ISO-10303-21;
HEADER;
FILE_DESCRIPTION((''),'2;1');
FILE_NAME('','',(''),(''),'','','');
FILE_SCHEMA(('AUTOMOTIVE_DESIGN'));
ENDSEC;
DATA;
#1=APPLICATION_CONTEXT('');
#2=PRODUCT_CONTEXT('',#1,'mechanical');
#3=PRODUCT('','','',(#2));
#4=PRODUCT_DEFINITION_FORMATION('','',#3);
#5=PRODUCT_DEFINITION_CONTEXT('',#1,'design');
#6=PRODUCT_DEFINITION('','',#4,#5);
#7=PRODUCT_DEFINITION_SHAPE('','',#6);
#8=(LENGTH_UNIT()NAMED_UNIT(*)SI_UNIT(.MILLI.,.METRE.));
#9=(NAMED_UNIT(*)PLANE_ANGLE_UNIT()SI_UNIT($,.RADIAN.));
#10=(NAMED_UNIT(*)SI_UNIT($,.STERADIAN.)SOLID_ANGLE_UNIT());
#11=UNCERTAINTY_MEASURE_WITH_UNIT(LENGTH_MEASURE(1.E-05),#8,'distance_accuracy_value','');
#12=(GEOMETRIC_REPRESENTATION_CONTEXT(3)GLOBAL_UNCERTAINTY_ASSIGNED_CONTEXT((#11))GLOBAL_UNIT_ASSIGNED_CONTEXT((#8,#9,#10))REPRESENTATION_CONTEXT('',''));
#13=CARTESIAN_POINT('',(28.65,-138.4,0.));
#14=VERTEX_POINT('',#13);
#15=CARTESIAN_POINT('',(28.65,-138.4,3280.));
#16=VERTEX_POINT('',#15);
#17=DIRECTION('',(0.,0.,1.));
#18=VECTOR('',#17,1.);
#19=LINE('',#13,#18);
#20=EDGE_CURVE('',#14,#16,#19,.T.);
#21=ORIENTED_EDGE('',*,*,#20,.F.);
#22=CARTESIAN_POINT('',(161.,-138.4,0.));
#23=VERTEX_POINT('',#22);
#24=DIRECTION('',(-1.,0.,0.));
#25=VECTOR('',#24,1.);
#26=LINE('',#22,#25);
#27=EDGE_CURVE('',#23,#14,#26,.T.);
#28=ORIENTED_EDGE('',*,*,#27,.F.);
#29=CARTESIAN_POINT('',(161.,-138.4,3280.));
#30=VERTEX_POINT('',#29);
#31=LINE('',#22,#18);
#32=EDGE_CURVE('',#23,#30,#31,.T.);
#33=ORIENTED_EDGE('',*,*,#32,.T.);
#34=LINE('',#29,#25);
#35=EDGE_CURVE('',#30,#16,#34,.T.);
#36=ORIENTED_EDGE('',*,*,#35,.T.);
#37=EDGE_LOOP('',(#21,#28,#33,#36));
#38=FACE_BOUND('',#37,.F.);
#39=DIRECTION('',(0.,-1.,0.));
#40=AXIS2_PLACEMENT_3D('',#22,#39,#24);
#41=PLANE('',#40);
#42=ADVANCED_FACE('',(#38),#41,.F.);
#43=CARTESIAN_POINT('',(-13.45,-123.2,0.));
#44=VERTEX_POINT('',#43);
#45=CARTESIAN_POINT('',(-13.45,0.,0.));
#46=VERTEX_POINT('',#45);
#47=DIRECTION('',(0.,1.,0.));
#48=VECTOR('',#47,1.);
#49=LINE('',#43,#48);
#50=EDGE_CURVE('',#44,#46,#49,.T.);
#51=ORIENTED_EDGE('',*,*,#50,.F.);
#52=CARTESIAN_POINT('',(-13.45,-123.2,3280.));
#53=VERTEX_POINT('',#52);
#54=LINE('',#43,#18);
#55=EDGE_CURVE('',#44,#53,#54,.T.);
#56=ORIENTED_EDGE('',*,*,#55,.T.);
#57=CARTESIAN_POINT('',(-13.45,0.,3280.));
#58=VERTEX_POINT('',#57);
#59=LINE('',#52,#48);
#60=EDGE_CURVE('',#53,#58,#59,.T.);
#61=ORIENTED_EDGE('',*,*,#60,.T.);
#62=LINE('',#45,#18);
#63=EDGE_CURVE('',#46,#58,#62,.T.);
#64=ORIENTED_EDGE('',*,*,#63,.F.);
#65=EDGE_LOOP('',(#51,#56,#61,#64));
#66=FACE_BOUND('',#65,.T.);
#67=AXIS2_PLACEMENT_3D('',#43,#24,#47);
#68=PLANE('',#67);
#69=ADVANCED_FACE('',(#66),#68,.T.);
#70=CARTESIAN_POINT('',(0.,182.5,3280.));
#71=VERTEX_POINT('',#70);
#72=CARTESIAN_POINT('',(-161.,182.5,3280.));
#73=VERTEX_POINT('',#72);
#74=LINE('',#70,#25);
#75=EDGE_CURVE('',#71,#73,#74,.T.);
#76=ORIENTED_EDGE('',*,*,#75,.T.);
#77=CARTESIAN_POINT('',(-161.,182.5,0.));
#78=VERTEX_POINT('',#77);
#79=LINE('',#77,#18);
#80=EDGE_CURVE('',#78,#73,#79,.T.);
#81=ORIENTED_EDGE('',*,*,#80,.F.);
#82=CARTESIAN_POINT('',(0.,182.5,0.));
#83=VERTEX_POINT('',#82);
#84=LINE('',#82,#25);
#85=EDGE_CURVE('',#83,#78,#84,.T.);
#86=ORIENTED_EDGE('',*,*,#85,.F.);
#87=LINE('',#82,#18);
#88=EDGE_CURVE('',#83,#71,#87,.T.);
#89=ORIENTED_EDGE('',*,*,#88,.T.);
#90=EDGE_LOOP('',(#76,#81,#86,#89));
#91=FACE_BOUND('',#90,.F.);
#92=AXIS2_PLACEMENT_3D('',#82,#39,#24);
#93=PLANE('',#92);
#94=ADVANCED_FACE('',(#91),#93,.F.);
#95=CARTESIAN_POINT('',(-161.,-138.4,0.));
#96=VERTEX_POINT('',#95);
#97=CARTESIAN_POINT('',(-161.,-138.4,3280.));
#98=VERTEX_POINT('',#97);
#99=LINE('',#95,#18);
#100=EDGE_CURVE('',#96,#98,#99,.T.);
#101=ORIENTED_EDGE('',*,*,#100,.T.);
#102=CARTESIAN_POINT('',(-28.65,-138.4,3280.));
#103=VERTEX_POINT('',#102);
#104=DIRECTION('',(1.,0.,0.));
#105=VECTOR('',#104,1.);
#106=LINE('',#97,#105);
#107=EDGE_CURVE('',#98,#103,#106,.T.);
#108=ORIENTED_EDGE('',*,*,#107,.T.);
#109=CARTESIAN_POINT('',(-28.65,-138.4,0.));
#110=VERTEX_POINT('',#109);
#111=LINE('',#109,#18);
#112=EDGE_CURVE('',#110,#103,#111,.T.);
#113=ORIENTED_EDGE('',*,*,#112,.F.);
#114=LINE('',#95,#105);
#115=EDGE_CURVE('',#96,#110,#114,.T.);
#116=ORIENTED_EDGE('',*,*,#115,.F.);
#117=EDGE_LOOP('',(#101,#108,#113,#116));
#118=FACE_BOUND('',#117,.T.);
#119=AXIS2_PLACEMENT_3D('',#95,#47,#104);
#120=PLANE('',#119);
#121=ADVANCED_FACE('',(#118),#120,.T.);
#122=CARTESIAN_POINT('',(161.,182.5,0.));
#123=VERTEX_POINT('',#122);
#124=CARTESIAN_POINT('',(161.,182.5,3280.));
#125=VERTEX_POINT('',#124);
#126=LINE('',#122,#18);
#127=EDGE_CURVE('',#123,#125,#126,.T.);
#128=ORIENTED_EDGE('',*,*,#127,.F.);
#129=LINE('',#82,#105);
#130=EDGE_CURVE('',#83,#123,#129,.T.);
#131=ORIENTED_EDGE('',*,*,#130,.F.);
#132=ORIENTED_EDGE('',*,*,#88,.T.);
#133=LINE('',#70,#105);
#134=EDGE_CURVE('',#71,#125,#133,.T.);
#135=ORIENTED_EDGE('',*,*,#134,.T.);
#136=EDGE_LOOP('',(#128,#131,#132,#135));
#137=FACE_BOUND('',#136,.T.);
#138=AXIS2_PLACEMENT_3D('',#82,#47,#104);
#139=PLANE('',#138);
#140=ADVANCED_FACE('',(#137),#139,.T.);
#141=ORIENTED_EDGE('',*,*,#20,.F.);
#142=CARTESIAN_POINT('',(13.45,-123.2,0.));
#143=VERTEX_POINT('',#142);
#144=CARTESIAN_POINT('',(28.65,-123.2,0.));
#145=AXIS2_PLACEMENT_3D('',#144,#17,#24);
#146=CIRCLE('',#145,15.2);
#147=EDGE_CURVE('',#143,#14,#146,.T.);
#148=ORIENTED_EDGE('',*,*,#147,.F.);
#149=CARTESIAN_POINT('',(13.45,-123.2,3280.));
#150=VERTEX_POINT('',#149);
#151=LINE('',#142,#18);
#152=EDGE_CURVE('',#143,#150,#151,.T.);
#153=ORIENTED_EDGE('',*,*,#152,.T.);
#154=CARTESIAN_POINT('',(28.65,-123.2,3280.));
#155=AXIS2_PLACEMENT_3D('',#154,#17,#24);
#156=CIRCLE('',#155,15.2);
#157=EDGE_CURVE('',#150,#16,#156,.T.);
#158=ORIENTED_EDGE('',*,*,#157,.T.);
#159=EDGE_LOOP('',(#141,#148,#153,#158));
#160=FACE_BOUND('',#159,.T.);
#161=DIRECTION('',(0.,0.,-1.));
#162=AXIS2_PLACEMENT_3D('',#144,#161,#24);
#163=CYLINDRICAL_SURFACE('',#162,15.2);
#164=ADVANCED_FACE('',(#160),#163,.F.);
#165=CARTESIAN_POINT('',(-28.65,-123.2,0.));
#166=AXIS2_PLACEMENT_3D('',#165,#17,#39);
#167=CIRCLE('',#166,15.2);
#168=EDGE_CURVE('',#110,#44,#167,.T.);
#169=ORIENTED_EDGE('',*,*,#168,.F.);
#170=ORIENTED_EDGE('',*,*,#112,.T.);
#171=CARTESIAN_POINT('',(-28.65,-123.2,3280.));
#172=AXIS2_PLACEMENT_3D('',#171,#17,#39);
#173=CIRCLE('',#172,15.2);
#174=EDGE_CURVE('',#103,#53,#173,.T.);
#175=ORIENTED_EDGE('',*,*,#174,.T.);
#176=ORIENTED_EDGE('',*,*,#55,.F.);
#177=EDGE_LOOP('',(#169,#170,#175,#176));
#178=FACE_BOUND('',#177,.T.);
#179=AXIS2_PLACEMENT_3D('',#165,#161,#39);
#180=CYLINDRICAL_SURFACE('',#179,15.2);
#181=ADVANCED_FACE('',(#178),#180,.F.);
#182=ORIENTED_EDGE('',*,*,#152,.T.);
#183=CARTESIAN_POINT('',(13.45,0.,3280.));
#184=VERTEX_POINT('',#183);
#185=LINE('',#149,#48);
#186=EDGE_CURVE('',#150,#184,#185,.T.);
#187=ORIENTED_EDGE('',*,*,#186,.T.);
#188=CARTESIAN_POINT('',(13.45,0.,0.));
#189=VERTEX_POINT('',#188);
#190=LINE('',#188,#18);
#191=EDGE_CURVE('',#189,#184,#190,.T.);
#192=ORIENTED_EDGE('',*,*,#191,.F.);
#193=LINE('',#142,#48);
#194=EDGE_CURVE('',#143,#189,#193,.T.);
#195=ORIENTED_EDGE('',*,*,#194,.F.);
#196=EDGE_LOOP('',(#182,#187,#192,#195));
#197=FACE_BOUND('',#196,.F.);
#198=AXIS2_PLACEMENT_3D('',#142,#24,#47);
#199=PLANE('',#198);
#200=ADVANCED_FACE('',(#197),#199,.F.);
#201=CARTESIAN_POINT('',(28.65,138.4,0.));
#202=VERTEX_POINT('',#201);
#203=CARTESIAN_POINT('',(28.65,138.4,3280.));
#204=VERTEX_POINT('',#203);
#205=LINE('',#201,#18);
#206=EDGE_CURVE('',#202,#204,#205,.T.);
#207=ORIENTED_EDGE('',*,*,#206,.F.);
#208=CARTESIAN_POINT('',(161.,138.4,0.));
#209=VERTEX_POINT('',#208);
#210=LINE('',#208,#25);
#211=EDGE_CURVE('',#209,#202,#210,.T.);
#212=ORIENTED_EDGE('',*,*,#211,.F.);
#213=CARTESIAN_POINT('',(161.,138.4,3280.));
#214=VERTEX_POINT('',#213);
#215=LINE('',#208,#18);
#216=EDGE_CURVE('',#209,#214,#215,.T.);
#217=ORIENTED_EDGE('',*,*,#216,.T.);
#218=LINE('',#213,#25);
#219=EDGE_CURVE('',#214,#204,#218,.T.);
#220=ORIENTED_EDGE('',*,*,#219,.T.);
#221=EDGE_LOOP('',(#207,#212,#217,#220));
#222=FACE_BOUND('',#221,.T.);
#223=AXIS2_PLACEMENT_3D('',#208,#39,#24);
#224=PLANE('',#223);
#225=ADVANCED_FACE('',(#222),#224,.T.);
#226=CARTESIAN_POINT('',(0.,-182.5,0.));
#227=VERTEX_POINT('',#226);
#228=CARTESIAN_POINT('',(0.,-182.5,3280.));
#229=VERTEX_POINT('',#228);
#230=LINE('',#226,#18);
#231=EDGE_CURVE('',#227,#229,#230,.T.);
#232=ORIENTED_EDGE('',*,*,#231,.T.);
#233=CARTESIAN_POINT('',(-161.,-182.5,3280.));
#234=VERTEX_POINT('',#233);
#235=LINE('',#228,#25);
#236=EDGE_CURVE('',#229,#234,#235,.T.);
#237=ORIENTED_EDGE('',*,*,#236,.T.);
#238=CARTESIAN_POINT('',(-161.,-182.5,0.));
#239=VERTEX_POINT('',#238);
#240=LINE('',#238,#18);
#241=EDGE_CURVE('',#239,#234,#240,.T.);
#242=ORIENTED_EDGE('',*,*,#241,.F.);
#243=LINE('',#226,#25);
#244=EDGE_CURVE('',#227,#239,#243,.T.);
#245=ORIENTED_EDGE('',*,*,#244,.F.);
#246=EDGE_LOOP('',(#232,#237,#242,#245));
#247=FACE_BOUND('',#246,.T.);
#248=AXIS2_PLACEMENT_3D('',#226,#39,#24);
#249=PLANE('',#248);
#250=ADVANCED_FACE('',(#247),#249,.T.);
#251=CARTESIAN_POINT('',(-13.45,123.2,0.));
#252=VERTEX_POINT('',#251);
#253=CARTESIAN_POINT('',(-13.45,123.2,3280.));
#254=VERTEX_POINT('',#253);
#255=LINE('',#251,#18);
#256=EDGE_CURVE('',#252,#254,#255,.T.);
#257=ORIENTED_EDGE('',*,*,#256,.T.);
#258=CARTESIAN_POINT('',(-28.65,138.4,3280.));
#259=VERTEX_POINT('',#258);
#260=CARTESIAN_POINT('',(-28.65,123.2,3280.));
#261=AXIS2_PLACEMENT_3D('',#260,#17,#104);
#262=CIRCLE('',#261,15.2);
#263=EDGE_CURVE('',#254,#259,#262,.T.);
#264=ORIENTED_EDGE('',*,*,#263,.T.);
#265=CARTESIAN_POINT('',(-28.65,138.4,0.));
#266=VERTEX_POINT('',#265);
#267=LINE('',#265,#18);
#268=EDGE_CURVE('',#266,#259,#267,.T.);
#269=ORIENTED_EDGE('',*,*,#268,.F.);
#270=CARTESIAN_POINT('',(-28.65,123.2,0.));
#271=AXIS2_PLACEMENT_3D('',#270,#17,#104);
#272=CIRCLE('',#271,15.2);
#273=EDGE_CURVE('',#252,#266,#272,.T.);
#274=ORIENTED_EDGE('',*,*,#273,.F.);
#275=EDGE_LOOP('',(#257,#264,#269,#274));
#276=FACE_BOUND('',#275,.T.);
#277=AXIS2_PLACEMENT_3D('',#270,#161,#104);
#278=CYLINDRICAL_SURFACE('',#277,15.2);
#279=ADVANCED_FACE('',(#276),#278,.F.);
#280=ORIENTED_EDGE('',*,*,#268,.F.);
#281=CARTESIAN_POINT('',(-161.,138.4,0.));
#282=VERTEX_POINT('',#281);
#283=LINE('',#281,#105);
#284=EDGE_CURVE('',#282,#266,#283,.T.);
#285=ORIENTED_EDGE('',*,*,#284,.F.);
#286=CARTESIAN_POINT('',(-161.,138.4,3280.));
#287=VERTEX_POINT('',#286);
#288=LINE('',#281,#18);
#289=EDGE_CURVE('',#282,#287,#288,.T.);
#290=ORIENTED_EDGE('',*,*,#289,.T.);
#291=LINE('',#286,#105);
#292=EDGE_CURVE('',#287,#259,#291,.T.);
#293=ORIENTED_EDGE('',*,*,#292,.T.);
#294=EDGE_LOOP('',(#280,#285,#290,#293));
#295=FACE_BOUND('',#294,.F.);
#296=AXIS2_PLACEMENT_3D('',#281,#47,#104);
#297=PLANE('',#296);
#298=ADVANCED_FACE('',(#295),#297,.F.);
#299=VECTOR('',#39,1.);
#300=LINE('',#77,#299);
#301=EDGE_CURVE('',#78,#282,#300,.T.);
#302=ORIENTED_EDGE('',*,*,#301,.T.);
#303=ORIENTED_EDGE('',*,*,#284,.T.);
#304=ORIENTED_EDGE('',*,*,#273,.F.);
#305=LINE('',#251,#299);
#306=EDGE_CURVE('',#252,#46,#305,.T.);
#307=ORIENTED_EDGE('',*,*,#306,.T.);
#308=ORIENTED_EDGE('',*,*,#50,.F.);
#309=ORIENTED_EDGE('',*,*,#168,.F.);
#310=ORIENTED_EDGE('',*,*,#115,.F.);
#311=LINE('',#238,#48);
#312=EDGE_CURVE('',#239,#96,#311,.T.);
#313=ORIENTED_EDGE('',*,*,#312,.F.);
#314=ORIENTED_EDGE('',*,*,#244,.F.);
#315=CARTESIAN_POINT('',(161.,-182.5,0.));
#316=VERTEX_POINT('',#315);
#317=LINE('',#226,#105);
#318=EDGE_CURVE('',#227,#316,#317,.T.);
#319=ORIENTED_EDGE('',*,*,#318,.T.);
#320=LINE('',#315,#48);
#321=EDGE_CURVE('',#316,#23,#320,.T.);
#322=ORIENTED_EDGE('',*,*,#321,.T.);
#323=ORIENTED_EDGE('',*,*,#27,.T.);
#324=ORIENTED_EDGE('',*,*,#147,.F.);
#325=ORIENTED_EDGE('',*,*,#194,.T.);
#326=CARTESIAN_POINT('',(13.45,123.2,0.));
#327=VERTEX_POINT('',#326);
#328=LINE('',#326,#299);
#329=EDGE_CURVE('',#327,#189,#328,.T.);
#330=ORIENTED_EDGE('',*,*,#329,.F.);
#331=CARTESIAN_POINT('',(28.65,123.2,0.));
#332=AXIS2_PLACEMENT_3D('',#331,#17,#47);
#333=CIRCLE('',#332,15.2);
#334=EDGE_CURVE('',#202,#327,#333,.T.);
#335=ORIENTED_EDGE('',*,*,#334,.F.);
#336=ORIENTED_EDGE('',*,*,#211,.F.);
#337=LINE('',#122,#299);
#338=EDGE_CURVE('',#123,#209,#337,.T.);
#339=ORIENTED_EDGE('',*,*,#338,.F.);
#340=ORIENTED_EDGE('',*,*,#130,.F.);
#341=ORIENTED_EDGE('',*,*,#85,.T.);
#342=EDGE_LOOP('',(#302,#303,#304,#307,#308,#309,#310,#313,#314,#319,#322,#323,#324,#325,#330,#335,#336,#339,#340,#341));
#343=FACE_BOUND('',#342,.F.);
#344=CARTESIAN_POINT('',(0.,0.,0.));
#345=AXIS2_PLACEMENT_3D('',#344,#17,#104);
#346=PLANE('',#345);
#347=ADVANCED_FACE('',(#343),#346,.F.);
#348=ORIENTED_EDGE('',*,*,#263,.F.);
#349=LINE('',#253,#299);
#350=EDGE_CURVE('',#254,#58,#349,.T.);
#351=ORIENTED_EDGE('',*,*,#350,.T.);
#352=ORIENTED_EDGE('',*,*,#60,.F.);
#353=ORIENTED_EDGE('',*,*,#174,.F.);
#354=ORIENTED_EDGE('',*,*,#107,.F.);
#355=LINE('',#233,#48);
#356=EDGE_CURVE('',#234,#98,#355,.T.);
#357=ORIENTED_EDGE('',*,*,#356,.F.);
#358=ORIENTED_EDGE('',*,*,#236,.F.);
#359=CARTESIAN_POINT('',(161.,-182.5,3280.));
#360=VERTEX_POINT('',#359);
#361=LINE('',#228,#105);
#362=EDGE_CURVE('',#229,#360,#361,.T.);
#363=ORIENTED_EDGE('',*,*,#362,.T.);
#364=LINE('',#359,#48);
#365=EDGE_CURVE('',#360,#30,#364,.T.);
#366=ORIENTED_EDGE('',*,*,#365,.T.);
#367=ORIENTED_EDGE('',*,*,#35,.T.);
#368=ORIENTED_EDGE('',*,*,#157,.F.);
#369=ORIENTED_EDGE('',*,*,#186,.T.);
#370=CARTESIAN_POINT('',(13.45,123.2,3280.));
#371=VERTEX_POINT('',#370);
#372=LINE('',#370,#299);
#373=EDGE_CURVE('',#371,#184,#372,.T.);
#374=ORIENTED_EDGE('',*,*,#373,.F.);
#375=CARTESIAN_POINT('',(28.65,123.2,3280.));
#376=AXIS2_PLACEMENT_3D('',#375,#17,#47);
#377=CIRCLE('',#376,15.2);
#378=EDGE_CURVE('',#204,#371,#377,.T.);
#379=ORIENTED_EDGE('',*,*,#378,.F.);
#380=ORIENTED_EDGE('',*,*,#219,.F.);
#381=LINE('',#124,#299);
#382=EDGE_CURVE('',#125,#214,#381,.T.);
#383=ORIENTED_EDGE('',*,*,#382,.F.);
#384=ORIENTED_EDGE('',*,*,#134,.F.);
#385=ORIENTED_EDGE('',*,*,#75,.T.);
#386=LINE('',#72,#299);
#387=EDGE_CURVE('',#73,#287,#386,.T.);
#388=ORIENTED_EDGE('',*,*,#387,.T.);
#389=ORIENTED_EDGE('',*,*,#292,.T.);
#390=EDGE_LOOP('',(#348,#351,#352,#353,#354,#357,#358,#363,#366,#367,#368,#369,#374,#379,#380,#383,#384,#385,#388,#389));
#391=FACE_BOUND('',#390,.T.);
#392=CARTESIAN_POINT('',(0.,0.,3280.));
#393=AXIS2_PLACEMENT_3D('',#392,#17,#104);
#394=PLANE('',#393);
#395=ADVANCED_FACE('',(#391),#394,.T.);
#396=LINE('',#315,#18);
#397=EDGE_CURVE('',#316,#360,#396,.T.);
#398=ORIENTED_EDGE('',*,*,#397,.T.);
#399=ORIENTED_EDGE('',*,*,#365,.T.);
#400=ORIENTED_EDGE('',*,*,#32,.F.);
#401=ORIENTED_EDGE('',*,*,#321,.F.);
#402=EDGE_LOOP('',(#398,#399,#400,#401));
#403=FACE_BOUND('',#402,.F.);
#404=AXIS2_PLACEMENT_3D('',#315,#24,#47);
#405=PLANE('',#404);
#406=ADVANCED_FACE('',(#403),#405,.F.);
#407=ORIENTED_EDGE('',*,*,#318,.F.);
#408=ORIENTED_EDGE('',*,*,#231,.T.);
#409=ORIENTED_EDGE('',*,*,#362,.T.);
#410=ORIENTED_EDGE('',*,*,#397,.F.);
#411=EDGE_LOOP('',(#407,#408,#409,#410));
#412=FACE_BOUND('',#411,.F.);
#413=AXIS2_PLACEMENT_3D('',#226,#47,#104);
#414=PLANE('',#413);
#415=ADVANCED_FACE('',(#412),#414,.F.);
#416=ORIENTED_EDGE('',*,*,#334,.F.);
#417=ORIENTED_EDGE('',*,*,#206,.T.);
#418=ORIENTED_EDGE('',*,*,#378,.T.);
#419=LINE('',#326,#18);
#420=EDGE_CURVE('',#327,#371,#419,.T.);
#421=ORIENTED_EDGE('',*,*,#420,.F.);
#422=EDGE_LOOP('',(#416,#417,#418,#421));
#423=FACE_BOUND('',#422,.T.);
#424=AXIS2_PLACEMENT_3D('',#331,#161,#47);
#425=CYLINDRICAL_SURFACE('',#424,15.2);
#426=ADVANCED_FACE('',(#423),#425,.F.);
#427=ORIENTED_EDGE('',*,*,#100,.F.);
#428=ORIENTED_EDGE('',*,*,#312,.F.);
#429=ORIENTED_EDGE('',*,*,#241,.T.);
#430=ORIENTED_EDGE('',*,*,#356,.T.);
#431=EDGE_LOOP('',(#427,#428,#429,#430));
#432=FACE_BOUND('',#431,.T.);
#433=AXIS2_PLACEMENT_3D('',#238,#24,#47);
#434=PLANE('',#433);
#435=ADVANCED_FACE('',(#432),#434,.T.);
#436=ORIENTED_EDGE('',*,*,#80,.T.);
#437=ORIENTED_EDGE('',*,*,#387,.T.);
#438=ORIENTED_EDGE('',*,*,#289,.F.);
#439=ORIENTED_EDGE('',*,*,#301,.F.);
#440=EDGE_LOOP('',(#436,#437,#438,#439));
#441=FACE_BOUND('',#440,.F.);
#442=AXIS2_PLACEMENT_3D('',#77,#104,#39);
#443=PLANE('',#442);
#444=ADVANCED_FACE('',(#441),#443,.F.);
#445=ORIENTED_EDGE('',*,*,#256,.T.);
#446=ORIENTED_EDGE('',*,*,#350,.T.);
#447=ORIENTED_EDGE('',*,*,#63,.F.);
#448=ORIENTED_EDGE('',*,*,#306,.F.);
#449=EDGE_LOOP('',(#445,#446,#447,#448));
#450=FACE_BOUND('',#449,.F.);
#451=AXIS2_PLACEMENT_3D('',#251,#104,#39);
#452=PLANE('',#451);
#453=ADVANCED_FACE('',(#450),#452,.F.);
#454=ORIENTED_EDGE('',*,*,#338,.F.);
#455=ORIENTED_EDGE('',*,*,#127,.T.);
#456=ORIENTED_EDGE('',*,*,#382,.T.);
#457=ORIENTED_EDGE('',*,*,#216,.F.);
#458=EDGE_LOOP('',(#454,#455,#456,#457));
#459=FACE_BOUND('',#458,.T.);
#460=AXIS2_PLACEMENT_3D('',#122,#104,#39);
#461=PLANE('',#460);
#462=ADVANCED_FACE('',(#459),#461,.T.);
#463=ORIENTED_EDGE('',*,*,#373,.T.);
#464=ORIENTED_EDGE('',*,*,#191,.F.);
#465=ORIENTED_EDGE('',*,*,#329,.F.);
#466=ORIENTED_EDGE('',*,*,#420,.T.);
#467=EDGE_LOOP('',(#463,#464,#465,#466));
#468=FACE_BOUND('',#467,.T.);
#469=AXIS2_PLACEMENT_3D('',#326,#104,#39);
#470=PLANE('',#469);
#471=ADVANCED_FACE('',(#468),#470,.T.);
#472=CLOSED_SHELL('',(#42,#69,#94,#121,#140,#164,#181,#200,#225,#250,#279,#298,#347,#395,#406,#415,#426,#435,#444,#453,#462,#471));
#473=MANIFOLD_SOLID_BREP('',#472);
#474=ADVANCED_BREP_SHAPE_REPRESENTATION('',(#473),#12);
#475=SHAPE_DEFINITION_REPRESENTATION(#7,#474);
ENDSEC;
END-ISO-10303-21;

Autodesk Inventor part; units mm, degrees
ref_plane "YZ Plane" through (0, 0, 0) normal (1, 0, 0) x (0, 1, 0)
ref_plane "Start plane" through (0, 0, 0) normal (0, 0, 1) x (1, 0, 0)
ref_plane "End plane" through (0, 0, 3280) normal (0, 0, 1) x (1, 0, 0)
sketch "Sketch" plane through (0, 0, 0) normal (0, 0, 1) x (1, 0, 0)
  line L0 (-161, -182.5) -> (-161, -138.4)
  line L1 (-161, -138.4) -> (-28.65, -138.4)
  line L2 (-13.45, -123.2) -> (-13.45, 0)
  line L3 (-13.45, 0) -> (0, 0) construction
  line L4 (0, 0) -> (0, -182.5) construction
  line L5 (0, -182.5) -> (-161, -182.5)
  line L6 (-60, 0) -> (80, 0) construction
  line L7 (0, -60) -> (0, 80) construction
  line L8 (161, -182.5) -> (161, -138.4)
  line L9 (161, -138.4) -> (28.65, -138.4)
  line L10 (13.45, -123.2) -> (13.45, 0)
  line L11 (13.45, 0) -> (0, 0) construction
  line L12 (0, -182.5) -> (161, -182.5)
  line L13 (-161, 182.5) -> (-161, 138.4)
  line L14 (-161, 138.4) -> (-28.65, 138.4)
  line L15 (-13.45, 123.2) -> (-13.45, 0)
  line L16 (0, 182.5) -> (-161, 182.5)
  line L17 (161, 182.5) -> (161, 138.4)
  line L18 (161, 138.4) -> (28.65, 138.4)
  line L19 (0, 182.5) -> (161, 182.5)
  line L20 (13.45, 123.2) -> (13.45, 0)
  arc A0 (-13.45, 123.2) -> (-28.65, 138.4) centre (-28.65, 123.2) ccw
  arc A1 (28.65, 138.4) -> (13.45, 123.2) centre (28.65, 123.2) ccw
  arc A2 (13.45, -123.2) -> (28.65, -138.4) centre (28.65, -123.2) ccw
  arc A3 (-28.65, -138.4) -> (-13.45, -123.2) centre (-28.65, -123.2) ccw
  line L21 (0, 108) -> (0, -88) construction
  line L22 (-88, 0) -> (108, 0) construction
  point P0 (-13.45, -138.4)
  point P1 (13.45, -138.4)
  point P2 (-13.45, 138.4)
  point P3 (13.45, 138.4)
  dimension "d1" = 182.5
  dimension "d2" = 44.1
  dimension "d3" = 161
  dimension "d4" = 13.45
  dimension "d10" = 15.2
extrude "Body" add sketch "Sketch" along normal up to surface (3280 mm away) from surface at 0
sketch "Sketch4" plane through (0, 0, 0) normal (0, 0, 1) x (1, 0, 0)
  line L0 (0, 0) -> (10, 0)
ref_plane "Work Plane3" through (0, 0, 0) normal (0, -1, 0) x (1, 0, 0)
sketch "Sketch5" plane through (0, 0, 0) normal (0, -1, 0) x (1, 0, 0)
  line L0 (-2, 0) -> (12, 0) projected
  line L1 (-2, 3280) -> (12, 3280) projected
  dimension "d14" = 3280
equation "\"d1\" = 0.5 * G_H"
equation "\"d2\" = G_T1"
equation "\"d3\" = 0.5 * G_W"
equation "\"d4\" = 0.5 * G_T"
equation "\"d10\" = G_IR"
equation "\"d5\" = G_L"
equation "\"G_W\" = 322"
equation "\"G_H\" = 365"
equation "\"G_T\" = 26.9"
equation "\"G_T1\" = 44.1"
equation "\"G_IR\" = 15.2"
equation "\"G_L\" = d14"
equation "\"G_OFFSET_START\" = 0"
equation "\"G_OFFSET_END\" = 0"
properties part number "AS 3679 - 310 UC - 283 - 3280" material "Steel, Mild"
